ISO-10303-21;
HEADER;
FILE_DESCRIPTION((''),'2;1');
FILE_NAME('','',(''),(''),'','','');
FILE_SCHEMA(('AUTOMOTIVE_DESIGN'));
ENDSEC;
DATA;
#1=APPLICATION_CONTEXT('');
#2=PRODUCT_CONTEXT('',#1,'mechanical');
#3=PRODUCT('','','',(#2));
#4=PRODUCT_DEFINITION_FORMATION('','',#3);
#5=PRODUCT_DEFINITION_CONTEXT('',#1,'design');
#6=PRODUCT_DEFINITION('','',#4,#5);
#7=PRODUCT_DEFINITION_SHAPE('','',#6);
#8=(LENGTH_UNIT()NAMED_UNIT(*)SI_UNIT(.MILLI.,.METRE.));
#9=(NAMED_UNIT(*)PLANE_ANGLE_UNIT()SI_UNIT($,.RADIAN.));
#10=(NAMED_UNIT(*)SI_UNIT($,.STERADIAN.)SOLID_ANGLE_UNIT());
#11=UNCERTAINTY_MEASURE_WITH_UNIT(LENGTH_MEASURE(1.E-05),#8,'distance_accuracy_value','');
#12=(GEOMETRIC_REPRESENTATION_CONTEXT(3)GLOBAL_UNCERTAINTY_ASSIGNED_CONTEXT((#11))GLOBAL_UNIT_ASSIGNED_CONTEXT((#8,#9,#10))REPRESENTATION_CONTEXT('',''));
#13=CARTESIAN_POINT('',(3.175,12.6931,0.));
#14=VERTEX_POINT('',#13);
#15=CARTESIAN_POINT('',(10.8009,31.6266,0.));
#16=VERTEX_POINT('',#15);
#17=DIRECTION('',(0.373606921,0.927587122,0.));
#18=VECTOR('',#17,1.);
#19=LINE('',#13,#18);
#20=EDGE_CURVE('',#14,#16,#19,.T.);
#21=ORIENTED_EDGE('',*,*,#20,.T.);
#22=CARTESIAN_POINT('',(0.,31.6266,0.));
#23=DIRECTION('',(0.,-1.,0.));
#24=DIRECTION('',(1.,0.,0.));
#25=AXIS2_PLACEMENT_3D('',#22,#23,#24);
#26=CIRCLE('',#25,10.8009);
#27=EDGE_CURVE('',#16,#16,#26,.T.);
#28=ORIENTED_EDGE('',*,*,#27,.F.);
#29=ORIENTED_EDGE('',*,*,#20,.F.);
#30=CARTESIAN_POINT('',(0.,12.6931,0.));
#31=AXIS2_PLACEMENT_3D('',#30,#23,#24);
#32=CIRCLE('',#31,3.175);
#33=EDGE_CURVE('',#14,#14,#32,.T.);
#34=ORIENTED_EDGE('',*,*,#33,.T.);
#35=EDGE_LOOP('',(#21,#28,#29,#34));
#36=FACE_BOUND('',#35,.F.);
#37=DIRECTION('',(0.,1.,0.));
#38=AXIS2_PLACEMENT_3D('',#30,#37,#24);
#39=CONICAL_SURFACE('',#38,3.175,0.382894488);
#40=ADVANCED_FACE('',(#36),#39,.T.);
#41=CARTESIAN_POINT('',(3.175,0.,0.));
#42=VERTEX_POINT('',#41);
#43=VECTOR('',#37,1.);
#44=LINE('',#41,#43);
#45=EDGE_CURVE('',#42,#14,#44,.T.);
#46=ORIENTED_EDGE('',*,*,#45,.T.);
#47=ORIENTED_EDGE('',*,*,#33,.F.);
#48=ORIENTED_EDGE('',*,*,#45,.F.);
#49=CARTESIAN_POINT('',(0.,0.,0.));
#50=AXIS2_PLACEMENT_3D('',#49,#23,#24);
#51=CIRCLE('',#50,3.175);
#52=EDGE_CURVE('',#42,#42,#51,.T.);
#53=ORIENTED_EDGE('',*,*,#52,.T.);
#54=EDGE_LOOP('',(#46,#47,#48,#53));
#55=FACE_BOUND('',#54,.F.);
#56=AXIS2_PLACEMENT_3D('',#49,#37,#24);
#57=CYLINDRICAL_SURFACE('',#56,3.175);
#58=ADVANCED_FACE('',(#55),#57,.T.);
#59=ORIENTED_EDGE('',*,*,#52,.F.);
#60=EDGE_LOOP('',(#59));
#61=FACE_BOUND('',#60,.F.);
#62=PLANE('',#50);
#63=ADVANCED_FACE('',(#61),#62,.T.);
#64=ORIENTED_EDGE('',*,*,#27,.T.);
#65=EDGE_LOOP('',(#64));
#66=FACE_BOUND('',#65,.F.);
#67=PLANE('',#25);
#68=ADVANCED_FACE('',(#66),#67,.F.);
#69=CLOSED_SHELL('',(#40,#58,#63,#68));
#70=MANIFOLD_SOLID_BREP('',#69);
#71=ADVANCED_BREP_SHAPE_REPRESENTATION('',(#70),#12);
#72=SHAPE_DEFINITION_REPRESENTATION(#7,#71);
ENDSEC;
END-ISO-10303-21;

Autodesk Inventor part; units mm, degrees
ref_plane "YZ Plane" through (0, 0, 0) normal (1, 0, 0) x (0, 1, 0)
ref_plane "XZ Plane" through (0, 0, 0) normal (0, 1, 0) x (-1, 0, 0)
ref_plane "XY Plane" through (0, 0, 0) normal (0, 0, 1) x (1, 0, 0)
sketch "Sketch1" plane through (0, 0, 0) normal (0, 0, 1) x (1, 0, 0)
  line L0 (0, 0) -> (3.175, 0)
  line L1 (3.175, 0) -> (3.175, 12.6931)
  line L2 (3.175, 12.6931) -> (10.8009, 31.6266)
  line L3 (10.8009, 31.6266) -> (0, 31.6266)
  line L4 (0, 31.6266) -> (0, 0)
  dimension "d0" = 3.175
revolve "Revolution1" add sketch "Sketch1" angle 360 about axis through (0, 31.6266, 0) along (0, -1, 0)
properties part number "pour1"
